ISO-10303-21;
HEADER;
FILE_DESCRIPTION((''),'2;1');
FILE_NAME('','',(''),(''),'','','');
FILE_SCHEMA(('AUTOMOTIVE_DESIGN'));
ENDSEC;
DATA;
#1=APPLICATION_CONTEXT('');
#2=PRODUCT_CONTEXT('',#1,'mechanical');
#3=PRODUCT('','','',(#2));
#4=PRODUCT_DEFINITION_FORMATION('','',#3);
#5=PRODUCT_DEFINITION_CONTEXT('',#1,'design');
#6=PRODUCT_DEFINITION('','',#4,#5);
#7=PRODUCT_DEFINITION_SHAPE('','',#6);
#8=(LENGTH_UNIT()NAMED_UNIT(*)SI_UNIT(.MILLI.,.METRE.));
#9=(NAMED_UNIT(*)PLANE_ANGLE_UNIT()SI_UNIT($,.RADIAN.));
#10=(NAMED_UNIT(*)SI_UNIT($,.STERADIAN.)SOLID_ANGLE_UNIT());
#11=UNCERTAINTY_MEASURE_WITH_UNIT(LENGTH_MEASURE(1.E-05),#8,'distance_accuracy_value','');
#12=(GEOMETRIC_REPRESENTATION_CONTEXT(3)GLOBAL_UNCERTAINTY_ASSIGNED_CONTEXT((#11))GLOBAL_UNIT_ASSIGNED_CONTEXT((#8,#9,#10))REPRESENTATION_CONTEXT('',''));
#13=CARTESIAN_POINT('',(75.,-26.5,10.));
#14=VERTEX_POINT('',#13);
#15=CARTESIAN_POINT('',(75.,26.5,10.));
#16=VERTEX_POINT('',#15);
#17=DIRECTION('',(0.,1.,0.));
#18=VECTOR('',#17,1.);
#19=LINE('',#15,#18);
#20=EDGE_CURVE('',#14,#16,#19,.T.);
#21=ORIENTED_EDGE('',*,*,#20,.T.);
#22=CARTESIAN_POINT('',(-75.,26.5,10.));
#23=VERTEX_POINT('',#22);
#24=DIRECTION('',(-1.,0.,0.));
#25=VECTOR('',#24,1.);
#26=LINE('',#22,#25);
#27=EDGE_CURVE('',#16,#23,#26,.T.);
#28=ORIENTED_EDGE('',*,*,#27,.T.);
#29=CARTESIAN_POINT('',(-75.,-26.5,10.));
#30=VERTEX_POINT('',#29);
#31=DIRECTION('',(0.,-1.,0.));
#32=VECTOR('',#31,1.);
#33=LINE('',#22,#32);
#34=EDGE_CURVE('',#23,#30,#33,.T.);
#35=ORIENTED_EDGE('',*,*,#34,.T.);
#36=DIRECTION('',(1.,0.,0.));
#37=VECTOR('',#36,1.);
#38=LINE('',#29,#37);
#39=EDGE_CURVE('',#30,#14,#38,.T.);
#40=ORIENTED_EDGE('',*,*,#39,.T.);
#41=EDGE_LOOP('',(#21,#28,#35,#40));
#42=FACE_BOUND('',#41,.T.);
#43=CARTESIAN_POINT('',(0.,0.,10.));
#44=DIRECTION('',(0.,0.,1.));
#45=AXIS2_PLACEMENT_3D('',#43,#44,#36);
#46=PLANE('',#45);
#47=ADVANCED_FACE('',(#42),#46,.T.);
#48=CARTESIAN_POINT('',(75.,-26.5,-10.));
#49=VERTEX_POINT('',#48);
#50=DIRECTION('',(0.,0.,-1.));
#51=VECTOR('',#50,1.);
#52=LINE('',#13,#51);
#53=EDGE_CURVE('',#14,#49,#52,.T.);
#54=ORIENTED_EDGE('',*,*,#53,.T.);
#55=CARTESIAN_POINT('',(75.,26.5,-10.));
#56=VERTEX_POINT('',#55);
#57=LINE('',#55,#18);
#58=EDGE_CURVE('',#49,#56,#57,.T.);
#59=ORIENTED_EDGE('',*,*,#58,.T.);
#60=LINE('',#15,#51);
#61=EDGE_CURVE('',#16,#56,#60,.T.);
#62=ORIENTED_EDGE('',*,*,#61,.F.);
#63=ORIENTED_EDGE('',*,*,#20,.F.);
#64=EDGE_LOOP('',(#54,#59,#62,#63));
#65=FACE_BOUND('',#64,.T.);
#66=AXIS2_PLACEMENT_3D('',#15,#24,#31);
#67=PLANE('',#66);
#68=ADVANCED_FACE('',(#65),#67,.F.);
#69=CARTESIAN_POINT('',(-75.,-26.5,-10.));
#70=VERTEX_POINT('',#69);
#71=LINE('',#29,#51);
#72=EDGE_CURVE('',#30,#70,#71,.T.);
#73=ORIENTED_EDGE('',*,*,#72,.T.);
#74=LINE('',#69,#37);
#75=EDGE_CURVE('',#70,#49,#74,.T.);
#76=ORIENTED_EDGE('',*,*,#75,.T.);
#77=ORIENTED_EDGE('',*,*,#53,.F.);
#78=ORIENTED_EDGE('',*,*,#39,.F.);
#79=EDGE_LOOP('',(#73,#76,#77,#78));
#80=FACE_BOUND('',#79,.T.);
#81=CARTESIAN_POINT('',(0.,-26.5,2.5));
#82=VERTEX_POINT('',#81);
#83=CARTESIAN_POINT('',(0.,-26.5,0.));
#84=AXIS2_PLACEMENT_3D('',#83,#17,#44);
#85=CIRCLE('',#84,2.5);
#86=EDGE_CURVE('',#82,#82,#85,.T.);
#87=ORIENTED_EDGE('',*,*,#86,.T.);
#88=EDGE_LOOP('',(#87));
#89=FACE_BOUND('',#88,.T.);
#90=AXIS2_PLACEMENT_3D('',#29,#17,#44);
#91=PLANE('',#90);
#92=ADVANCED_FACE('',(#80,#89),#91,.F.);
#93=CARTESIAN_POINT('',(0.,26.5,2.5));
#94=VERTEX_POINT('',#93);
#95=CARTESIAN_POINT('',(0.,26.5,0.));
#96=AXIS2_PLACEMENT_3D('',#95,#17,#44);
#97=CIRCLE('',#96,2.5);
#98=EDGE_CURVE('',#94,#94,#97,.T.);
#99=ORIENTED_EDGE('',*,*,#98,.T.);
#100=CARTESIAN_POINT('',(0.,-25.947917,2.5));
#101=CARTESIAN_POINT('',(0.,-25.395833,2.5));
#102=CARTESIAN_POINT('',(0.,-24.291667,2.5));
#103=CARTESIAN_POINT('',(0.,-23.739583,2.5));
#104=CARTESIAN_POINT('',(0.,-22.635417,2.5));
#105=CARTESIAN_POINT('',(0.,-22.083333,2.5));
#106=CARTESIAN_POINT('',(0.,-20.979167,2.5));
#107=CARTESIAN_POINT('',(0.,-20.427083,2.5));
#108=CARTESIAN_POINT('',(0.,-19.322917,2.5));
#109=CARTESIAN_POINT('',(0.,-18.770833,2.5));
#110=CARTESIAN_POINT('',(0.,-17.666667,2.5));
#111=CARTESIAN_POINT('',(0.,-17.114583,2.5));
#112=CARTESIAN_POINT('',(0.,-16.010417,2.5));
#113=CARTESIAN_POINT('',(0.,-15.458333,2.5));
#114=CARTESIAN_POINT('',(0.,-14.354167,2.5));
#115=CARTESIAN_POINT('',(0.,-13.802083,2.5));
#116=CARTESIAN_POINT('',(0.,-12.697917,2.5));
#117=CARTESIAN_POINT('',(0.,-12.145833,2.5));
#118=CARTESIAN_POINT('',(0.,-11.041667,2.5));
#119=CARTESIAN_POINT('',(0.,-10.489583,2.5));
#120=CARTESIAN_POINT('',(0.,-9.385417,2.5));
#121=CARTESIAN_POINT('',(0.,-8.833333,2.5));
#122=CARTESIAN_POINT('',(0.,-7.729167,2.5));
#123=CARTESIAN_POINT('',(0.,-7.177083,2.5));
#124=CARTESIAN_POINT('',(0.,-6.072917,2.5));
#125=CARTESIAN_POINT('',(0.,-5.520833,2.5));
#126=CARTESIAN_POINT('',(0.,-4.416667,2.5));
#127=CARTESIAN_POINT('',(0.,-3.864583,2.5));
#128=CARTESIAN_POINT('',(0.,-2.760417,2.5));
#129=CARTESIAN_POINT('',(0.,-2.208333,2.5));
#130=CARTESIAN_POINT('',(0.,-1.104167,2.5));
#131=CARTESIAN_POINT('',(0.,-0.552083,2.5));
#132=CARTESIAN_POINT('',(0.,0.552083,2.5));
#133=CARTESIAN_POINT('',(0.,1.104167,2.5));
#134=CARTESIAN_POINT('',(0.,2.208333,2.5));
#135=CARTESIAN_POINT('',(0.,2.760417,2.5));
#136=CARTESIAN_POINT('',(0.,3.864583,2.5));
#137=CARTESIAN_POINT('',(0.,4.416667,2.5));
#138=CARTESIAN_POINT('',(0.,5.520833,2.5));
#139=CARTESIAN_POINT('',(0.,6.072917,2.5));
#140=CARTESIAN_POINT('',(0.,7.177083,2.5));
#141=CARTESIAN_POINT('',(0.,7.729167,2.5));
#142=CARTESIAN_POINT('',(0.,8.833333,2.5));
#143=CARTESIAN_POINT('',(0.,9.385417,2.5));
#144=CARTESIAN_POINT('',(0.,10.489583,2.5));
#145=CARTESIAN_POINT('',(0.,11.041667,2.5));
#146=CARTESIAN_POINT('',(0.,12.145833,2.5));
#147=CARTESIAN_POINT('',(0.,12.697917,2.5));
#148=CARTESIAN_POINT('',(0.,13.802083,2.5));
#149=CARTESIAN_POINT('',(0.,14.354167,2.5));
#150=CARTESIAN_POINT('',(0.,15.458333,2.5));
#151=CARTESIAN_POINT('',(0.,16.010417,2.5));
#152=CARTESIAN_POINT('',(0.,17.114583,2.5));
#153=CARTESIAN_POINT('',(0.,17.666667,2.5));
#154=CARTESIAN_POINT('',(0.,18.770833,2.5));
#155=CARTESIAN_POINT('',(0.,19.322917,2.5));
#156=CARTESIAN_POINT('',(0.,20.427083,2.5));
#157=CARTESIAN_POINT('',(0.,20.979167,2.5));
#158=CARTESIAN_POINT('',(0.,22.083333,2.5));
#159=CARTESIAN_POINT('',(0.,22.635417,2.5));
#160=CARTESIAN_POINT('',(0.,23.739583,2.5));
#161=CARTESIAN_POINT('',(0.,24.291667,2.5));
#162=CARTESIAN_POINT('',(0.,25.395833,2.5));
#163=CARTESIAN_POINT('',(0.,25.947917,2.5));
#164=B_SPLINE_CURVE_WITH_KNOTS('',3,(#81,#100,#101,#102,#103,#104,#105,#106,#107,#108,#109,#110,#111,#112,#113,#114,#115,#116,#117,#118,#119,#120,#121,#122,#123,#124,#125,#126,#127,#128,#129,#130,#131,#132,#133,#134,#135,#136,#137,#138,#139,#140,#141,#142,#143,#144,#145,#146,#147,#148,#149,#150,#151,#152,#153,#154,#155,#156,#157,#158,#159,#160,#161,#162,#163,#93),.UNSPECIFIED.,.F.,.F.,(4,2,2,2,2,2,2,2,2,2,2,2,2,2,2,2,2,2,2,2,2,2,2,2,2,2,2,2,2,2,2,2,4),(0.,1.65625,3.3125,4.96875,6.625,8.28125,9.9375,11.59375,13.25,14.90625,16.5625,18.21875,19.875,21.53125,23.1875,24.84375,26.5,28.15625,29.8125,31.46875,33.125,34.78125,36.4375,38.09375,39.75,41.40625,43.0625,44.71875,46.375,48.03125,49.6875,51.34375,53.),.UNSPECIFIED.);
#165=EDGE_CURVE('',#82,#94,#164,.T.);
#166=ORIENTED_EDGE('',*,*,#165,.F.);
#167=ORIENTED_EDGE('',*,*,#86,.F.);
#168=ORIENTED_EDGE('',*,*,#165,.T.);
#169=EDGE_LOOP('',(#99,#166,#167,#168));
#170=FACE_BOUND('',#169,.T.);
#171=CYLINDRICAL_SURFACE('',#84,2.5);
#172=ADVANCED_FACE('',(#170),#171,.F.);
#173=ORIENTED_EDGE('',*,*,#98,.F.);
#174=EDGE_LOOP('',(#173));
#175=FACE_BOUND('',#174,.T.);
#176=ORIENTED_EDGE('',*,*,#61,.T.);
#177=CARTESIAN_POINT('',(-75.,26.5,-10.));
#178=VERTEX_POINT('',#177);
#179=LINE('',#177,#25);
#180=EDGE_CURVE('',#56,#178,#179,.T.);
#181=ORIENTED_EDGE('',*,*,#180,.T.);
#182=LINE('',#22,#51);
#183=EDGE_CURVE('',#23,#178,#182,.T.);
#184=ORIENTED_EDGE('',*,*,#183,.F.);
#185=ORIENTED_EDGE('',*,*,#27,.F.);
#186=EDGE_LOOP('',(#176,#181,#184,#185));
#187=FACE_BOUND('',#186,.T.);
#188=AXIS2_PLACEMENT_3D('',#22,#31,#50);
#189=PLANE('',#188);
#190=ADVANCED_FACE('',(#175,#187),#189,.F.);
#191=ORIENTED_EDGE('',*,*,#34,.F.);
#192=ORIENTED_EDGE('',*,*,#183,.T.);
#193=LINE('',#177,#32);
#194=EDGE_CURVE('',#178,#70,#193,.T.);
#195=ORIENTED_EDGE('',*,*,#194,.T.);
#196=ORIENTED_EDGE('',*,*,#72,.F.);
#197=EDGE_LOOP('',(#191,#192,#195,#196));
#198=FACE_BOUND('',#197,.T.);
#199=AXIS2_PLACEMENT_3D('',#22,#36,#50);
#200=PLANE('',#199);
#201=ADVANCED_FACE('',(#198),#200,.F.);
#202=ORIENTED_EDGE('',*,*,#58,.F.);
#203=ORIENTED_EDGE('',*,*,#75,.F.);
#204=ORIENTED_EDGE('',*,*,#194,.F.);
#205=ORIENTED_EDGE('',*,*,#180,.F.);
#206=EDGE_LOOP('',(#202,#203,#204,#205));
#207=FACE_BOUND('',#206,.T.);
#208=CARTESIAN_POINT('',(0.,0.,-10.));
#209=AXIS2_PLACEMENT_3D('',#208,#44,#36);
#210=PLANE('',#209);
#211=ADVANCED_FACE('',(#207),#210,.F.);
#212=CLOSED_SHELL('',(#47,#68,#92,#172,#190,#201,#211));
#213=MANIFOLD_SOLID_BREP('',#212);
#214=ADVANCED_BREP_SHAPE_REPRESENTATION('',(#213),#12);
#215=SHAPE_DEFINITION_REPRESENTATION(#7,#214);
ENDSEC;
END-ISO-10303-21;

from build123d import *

# Parameters (mm, degrees)
SKETCH_1_W               = 150
SKETCH_1_H               = 53
EXTRUDE_1_DEPTH          = 10
CUT_EXTRUDE_1_DEPTH      = 81.170131595
CUT_EXTRUDE_1_DEPTH_BACK = 81.170131595
SKETCH_2_R               = 2.5


with BuildPart() as part:
    # Эскиз1 → Бобышка-Вытянуть1 (new, symmetric)
    with BuildSketch(Plane.XY):
        Rectangle(SKETCH_1_W, SKETCH_1_H)
    extrude(amount=EXTRUDE_1_DEPTH, both=True)

    # Эскиз2 → Вырез-Вытянуть1 (cut, two sides: drawn at the far end of the back side and taken through both)
    with BuildSketch(Plane(origin=(0, 0, 0), x_dir=(1, 0, 0), z_dir=(0, 1, 0)).offset(-CUT_EXTRUDE_1_DEPTH_BACK)):
        with Locations(Location((0, 0, 0), (0, 0, 270))):
            Circle(SKETCH_2_R)
    extrude(amount=CUT_EXTRUDE_1_DEPTH + CUT_EXTRUDE_1_DEPTH_BACK, mode=Mode.SUBTRACT)


solid = part.part
